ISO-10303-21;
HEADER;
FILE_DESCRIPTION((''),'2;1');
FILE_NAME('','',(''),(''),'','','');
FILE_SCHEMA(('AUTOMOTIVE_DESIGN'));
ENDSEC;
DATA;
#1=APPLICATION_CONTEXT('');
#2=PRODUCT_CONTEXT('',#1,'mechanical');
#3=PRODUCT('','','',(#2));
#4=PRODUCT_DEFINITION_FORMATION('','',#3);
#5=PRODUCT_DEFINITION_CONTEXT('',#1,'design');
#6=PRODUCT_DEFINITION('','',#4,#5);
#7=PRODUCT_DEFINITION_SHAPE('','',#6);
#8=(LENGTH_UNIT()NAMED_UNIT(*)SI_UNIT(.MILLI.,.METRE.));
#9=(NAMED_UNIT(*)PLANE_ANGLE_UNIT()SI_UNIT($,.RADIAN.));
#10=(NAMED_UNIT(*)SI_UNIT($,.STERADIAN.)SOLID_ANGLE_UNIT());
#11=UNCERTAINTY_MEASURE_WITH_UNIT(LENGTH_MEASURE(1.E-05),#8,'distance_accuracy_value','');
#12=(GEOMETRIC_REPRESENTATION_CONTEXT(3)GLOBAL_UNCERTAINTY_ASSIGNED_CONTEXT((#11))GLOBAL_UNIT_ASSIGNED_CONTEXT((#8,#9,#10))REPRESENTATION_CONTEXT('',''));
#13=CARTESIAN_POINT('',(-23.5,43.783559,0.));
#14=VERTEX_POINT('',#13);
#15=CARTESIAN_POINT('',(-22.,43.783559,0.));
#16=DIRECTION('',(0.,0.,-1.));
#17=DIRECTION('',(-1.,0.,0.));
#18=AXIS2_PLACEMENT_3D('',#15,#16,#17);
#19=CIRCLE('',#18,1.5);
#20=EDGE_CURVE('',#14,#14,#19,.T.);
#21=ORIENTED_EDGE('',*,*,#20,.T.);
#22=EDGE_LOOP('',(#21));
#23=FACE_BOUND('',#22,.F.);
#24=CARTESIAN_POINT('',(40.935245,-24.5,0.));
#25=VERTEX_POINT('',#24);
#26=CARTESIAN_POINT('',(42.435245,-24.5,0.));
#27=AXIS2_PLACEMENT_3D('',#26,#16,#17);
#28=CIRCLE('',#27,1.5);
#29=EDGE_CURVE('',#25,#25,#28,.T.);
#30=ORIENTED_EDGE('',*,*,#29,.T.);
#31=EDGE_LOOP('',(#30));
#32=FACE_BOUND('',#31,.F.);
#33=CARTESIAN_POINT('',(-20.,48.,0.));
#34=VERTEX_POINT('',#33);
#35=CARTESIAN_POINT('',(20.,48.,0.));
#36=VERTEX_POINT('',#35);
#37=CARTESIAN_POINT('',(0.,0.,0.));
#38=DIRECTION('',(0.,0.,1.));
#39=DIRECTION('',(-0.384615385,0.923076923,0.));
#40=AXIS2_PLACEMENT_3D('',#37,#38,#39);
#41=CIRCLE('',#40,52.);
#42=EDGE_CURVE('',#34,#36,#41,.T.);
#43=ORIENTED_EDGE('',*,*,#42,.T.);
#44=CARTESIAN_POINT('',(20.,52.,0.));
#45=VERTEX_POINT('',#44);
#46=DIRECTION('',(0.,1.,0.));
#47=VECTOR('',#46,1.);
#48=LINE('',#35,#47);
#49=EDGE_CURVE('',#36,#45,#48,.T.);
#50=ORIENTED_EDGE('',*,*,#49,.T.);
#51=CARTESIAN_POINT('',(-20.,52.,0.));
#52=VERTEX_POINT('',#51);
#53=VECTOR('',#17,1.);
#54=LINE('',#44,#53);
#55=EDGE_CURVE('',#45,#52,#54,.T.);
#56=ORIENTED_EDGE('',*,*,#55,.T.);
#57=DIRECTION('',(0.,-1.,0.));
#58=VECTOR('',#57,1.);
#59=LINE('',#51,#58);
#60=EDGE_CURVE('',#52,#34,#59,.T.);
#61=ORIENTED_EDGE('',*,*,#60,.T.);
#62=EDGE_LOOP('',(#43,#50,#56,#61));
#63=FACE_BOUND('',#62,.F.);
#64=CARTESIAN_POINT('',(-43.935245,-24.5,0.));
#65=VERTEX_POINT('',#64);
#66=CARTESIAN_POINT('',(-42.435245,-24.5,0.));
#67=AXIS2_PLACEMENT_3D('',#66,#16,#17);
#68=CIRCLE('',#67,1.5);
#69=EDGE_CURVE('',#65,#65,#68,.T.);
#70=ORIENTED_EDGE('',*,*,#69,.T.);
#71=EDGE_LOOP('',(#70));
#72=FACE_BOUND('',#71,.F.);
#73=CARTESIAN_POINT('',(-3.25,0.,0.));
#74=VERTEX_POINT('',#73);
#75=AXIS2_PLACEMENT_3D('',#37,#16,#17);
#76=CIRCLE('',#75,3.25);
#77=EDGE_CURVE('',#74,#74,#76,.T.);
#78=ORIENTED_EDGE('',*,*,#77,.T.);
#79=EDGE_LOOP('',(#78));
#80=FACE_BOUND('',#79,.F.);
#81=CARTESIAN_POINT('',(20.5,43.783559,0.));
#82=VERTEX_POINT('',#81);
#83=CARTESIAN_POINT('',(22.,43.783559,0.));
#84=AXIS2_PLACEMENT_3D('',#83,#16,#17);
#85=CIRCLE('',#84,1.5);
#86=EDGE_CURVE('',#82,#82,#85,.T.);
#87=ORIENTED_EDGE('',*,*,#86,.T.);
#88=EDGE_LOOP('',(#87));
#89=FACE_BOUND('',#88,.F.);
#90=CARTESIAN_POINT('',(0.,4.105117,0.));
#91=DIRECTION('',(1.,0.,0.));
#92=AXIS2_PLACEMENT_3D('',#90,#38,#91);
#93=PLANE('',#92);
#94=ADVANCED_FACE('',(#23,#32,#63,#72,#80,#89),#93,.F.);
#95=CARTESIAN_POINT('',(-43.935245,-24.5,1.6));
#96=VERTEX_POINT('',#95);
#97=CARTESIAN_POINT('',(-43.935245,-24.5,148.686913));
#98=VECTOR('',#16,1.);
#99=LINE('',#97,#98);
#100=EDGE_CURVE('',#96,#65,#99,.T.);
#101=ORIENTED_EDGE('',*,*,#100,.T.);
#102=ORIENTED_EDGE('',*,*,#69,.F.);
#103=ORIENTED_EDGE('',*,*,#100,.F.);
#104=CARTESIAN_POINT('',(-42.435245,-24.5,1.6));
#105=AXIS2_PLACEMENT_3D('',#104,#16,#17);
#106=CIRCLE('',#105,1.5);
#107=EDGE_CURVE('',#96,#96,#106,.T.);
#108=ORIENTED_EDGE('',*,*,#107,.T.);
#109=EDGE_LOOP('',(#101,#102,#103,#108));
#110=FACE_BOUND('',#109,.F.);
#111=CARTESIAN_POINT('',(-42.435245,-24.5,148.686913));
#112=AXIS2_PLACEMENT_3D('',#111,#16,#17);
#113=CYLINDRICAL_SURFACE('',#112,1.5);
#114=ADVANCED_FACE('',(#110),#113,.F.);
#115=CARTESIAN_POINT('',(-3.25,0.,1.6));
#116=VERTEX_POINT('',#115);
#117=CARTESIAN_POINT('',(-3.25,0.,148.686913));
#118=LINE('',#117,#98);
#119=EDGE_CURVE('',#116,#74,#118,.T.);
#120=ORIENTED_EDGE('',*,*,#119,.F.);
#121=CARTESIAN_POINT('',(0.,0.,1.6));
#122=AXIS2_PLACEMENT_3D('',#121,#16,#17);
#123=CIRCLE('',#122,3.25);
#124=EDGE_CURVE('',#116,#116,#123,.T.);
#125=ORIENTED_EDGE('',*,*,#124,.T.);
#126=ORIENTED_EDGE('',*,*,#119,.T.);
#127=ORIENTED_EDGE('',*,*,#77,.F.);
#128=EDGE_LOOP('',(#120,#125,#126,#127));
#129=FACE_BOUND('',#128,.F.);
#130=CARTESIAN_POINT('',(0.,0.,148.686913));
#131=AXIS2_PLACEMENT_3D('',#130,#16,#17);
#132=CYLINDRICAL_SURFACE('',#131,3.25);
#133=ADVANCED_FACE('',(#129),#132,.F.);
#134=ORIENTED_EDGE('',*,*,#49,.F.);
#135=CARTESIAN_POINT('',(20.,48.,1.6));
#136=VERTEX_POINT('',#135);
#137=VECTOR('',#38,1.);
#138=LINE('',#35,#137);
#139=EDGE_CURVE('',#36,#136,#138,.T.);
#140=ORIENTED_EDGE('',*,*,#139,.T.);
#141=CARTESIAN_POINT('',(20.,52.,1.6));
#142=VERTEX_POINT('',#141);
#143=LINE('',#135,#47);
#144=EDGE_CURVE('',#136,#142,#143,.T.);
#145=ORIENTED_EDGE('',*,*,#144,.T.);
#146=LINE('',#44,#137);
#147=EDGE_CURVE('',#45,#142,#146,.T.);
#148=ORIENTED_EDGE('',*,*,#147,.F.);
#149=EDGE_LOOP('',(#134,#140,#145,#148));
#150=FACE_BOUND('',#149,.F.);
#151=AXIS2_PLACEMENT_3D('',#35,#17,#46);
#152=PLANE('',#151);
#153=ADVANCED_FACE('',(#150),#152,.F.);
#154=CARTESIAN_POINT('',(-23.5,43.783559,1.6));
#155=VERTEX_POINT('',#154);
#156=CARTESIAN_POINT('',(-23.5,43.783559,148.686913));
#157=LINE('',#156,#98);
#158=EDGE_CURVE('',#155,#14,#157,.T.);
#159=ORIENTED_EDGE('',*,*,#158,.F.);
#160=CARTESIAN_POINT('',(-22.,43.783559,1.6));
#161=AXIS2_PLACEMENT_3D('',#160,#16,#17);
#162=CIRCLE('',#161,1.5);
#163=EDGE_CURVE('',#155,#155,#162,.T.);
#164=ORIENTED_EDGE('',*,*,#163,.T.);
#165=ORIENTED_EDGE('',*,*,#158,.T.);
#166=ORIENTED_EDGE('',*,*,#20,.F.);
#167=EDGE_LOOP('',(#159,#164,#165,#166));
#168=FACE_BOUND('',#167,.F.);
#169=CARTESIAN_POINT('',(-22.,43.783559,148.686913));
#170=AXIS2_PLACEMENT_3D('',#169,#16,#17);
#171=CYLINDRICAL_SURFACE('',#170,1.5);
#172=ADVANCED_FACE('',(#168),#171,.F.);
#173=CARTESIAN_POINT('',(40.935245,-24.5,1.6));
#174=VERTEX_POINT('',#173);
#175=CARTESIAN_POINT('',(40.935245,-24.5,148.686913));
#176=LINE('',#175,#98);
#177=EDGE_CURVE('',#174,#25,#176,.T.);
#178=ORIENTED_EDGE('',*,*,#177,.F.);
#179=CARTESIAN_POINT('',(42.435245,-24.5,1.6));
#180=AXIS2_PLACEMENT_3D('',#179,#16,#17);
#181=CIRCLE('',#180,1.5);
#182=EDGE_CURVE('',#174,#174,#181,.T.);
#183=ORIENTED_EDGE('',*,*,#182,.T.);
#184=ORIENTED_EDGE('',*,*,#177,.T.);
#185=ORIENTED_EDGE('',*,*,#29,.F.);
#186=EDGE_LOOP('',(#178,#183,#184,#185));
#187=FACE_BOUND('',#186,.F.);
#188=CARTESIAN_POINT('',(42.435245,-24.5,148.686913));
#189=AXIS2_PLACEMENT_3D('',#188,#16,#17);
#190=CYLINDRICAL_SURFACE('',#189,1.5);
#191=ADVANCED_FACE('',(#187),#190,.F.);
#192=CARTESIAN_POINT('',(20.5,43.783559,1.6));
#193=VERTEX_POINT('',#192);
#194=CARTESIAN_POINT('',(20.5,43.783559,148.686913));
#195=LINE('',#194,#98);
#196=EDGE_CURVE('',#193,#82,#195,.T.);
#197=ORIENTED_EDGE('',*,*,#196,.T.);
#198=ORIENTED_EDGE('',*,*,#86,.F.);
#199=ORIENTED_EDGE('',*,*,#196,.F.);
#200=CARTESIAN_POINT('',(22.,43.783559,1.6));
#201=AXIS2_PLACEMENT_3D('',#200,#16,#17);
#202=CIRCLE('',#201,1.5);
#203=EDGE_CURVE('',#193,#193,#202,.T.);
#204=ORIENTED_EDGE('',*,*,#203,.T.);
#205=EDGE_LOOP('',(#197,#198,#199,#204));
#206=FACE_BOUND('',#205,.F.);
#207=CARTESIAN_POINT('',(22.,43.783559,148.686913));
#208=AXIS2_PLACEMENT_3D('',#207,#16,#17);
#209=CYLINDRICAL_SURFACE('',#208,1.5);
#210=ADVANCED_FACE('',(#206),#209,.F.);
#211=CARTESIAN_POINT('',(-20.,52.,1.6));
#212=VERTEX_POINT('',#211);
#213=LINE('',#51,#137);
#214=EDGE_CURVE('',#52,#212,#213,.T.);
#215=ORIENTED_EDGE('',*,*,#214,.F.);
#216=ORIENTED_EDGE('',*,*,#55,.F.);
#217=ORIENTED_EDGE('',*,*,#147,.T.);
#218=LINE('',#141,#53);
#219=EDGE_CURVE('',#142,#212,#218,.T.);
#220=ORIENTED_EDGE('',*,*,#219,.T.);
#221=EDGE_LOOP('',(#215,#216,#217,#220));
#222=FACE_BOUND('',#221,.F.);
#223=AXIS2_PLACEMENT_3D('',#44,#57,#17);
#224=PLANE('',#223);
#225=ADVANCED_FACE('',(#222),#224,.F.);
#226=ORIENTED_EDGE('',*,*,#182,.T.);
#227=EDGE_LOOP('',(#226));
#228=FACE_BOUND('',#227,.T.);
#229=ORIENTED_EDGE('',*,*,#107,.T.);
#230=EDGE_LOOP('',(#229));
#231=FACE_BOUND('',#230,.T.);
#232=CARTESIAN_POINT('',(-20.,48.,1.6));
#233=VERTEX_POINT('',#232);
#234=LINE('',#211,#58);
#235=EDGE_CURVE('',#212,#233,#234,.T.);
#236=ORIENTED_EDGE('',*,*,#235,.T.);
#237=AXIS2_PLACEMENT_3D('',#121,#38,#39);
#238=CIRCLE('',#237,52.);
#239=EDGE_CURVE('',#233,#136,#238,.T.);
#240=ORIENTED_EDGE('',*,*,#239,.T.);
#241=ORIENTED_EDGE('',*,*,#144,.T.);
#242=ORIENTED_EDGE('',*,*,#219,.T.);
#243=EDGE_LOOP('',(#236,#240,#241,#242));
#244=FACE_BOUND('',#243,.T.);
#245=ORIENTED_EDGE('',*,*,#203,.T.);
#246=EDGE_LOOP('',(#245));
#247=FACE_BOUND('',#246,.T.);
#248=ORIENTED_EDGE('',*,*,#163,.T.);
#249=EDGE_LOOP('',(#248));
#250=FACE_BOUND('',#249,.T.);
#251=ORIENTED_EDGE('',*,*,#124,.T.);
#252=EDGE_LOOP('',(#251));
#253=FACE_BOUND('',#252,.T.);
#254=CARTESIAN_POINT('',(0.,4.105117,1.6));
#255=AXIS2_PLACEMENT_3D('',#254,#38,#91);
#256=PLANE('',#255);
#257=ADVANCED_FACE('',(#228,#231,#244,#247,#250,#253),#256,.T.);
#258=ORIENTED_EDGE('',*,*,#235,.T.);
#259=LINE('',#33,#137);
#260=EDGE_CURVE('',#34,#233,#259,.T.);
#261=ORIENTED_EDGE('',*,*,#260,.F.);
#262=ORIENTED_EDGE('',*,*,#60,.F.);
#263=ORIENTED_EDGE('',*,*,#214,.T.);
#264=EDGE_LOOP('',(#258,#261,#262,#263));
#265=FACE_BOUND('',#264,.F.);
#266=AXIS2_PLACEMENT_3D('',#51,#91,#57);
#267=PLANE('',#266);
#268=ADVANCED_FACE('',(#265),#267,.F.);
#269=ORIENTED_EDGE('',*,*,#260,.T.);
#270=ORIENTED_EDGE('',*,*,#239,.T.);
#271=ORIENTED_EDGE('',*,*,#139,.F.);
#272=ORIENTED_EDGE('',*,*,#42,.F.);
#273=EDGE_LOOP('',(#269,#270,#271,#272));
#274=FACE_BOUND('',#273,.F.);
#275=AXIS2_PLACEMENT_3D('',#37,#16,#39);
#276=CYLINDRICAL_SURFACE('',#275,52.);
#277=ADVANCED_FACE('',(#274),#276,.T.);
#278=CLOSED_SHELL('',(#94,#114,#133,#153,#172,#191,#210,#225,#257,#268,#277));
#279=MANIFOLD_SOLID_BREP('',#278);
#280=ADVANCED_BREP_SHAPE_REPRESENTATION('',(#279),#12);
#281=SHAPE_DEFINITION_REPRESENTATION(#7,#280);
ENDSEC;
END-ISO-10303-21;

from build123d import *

# Parameters (mm, degrees)
F1_DEPTH = 1.6
F3_D     = 3
F5_D     = 6.5


with BuildPart() as f1:
    # F0 (on Top) → F1 (new body)
    with BuildSketch(Plane.XY):
        with BuildLine():
            Line((-20, 52), (-20, 48))
            ThreePointArc((-20, 48), (0, -52), (20, 48))
            Line((20, 48), (20, 52))
            Line((20, 52), (-20, 52))
        make_face()
    extrude(amount=F1_DEPTH)

    # F3 (through all)
    with Locations(Plane.XY.offset(1.6)):
        with Locations((-22, 43.783559), (22, 43.783559), (42.435245, -24.5), (-42.435245, -24.5)):
            Hole(F3_D / 2)

    # F5 (through all)
    with Locations(Plane.XY.offset(1.6)):
        with Locations((0, 0)):
            Hole(F5_D / 2)


solid = f1.part
